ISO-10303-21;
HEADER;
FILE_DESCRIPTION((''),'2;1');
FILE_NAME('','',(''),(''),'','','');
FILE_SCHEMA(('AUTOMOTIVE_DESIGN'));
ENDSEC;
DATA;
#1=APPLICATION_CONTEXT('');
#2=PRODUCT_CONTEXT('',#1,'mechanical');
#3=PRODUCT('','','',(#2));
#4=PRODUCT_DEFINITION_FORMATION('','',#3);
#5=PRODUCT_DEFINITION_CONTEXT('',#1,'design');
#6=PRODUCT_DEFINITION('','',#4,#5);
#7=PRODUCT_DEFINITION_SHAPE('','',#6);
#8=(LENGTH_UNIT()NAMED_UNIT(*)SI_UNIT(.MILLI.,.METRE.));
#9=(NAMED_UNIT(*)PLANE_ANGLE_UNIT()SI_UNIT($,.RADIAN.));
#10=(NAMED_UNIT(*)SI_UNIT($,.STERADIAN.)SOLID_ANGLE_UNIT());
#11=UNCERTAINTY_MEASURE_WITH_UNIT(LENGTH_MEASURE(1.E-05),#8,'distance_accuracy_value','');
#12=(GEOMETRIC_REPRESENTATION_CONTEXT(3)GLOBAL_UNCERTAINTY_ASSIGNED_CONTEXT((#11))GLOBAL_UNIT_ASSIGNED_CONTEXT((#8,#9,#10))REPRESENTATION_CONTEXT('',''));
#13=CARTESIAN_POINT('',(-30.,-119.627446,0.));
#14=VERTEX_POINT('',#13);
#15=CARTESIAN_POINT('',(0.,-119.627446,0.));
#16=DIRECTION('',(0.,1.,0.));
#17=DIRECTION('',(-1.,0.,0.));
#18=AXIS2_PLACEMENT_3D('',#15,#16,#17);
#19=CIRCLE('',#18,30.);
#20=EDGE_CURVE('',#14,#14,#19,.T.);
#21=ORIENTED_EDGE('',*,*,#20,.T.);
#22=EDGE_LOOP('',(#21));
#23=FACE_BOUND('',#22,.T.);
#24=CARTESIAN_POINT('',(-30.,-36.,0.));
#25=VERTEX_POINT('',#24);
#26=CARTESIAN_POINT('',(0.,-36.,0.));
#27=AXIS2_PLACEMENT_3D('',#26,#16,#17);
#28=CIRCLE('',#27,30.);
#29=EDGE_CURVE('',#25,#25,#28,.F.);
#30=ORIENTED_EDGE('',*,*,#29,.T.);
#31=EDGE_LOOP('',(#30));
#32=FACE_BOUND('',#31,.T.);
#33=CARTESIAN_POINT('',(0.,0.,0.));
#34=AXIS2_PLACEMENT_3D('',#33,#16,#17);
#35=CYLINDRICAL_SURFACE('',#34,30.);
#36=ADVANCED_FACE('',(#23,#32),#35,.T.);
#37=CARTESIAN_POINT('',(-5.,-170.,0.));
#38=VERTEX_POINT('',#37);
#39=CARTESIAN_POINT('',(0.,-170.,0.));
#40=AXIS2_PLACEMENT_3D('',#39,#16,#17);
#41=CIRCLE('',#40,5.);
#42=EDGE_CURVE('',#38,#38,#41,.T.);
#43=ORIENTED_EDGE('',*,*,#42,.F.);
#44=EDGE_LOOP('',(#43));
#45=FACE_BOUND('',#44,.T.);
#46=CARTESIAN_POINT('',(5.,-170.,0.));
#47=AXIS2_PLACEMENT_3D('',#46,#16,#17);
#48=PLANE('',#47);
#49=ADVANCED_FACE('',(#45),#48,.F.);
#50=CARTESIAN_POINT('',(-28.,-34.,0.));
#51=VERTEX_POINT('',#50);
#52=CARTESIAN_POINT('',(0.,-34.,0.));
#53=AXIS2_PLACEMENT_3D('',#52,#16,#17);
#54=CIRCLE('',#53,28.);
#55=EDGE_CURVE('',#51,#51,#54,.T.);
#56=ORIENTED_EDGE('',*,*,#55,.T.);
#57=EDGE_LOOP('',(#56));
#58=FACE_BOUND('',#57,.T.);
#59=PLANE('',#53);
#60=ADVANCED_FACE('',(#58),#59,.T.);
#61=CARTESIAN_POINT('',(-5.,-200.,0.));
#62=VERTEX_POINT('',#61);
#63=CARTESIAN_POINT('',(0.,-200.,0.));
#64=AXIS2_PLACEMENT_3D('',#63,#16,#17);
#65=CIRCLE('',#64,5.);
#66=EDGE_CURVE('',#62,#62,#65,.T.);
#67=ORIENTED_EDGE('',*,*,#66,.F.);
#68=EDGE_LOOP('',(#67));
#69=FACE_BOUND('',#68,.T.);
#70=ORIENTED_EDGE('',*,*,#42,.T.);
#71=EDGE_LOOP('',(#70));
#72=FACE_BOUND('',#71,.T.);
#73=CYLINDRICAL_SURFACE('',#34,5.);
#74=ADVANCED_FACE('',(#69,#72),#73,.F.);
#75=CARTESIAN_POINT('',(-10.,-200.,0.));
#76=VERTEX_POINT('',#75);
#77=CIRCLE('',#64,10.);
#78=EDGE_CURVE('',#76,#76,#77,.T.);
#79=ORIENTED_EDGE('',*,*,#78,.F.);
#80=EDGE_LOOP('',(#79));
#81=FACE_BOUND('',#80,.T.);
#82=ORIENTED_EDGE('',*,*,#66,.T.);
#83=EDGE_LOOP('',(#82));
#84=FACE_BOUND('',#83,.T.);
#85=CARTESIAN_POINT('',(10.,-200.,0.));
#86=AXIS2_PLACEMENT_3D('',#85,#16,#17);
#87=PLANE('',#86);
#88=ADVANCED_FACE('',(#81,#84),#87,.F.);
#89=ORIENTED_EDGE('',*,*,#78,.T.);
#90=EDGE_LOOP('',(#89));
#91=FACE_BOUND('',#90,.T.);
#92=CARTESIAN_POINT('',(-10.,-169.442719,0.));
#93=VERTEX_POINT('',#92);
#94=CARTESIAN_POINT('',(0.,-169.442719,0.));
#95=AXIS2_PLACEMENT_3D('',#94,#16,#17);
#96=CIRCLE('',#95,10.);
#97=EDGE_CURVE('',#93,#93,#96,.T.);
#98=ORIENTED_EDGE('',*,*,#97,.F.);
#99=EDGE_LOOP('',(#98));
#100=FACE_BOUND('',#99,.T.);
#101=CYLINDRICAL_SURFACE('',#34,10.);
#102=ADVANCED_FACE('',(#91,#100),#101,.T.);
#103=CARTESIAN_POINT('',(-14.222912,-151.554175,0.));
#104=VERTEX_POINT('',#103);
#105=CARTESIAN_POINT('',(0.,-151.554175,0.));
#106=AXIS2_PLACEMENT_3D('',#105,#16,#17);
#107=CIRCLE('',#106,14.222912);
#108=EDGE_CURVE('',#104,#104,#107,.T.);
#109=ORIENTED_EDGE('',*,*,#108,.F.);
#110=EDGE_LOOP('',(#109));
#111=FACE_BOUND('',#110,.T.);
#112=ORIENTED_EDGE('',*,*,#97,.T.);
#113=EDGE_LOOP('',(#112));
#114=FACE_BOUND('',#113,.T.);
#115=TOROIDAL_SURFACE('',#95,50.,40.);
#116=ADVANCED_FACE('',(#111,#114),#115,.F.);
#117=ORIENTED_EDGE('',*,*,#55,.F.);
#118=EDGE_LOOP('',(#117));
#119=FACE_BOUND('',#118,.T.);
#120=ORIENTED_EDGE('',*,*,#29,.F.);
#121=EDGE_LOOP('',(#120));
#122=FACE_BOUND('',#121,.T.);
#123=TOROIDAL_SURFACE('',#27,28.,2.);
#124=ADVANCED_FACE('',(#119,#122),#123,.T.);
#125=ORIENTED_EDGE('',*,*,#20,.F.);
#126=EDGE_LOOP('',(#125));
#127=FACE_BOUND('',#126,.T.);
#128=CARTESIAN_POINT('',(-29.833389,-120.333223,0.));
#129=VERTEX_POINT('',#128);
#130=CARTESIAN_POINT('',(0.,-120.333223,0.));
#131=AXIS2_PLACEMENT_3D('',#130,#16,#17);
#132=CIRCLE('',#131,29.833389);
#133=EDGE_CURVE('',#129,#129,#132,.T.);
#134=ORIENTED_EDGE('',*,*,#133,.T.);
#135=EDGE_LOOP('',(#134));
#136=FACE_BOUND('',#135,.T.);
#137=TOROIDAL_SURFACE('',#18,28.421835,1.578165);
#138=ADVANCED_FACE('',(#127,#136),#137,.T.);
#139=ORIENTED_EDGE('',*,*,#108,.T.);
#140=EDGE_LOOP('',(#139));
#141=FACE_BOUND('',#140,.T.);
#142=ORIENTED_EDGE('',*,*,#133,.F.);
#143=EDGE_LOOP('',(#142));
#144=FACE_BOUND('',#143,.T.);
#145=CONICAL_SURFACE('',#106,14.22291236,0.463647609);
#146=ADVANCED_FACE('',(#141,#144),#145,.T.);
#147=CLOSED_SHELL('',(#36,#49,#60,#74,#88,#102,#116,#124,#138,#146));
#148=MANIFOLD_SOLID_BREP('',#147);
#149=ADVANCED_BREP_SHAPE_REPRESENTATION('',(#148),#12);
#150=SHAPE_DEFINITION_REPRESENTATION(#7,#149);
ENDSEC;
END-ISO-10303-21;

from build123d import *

# Parameters (mm, degrees)
SKETCH1_R          = 30.591778674
CUT_EXTRUDE1_DEPTH = 34
FILLET1_R          = 2


with BuildPart() as part:
    # Esquisse1 → Révolution1 (revolve)
    with BuildSketch(Plane.XY, mode=Mode.PRIVATE) as r_volution1_sk:
        with BuildLine():
            Line((0, 0), (28, 0))
            ThreePointArc((28, 0), (29.414213562, -0.585786438), (30, -2))
            Line((30, -2), (30, -119.627445758))
            ThreePointArc((30, -119.627445758), (29.957782489, -119.990033798), (29.833388678, -120.333222644))
            Line((29.833388678, -120.333222644), (14.22291236, -151.55417528))
            ThreePointArc((14.22291236, -151.55417528), (11.070040421, -160.252602278), (10, -169.4427191))
            Line((10, -169.4427191), (10, -200))
            Line((10, -200), (5, -200))
            Line((5, -200), (5, -170))
            Line((5, -170), (0, -170))
            Line((0, -170), (0, 0))
        make_face()
    revolve(r_volution1_sk.sketch.rotate(Axis((0, 0, 0), (0, -1, 0)), 180), axis=Axis((0, 0, 0), (0, -1, 0)))

    # Sketch1 → Cut-Extrude1 (cut)
    with BuildSketch(Plane(origin=(0, 0, 0), x_dir=(1, 0, 0), z_dir=(0, 1, 0))):
        Circle(SKETCH1_R)
    extrude(amount=-CUT_EXTRUDE1_DEPTH, mode=Mode.SUBTRACT)

    # Fillet1
    fillet1_edges = [part.edges().sort_by_distance(p)[0] for p in [
        (30, -34, 0),
    ]]
    fillet(fillet1_edges, radius=FILLET1_R)


solid = part.part
